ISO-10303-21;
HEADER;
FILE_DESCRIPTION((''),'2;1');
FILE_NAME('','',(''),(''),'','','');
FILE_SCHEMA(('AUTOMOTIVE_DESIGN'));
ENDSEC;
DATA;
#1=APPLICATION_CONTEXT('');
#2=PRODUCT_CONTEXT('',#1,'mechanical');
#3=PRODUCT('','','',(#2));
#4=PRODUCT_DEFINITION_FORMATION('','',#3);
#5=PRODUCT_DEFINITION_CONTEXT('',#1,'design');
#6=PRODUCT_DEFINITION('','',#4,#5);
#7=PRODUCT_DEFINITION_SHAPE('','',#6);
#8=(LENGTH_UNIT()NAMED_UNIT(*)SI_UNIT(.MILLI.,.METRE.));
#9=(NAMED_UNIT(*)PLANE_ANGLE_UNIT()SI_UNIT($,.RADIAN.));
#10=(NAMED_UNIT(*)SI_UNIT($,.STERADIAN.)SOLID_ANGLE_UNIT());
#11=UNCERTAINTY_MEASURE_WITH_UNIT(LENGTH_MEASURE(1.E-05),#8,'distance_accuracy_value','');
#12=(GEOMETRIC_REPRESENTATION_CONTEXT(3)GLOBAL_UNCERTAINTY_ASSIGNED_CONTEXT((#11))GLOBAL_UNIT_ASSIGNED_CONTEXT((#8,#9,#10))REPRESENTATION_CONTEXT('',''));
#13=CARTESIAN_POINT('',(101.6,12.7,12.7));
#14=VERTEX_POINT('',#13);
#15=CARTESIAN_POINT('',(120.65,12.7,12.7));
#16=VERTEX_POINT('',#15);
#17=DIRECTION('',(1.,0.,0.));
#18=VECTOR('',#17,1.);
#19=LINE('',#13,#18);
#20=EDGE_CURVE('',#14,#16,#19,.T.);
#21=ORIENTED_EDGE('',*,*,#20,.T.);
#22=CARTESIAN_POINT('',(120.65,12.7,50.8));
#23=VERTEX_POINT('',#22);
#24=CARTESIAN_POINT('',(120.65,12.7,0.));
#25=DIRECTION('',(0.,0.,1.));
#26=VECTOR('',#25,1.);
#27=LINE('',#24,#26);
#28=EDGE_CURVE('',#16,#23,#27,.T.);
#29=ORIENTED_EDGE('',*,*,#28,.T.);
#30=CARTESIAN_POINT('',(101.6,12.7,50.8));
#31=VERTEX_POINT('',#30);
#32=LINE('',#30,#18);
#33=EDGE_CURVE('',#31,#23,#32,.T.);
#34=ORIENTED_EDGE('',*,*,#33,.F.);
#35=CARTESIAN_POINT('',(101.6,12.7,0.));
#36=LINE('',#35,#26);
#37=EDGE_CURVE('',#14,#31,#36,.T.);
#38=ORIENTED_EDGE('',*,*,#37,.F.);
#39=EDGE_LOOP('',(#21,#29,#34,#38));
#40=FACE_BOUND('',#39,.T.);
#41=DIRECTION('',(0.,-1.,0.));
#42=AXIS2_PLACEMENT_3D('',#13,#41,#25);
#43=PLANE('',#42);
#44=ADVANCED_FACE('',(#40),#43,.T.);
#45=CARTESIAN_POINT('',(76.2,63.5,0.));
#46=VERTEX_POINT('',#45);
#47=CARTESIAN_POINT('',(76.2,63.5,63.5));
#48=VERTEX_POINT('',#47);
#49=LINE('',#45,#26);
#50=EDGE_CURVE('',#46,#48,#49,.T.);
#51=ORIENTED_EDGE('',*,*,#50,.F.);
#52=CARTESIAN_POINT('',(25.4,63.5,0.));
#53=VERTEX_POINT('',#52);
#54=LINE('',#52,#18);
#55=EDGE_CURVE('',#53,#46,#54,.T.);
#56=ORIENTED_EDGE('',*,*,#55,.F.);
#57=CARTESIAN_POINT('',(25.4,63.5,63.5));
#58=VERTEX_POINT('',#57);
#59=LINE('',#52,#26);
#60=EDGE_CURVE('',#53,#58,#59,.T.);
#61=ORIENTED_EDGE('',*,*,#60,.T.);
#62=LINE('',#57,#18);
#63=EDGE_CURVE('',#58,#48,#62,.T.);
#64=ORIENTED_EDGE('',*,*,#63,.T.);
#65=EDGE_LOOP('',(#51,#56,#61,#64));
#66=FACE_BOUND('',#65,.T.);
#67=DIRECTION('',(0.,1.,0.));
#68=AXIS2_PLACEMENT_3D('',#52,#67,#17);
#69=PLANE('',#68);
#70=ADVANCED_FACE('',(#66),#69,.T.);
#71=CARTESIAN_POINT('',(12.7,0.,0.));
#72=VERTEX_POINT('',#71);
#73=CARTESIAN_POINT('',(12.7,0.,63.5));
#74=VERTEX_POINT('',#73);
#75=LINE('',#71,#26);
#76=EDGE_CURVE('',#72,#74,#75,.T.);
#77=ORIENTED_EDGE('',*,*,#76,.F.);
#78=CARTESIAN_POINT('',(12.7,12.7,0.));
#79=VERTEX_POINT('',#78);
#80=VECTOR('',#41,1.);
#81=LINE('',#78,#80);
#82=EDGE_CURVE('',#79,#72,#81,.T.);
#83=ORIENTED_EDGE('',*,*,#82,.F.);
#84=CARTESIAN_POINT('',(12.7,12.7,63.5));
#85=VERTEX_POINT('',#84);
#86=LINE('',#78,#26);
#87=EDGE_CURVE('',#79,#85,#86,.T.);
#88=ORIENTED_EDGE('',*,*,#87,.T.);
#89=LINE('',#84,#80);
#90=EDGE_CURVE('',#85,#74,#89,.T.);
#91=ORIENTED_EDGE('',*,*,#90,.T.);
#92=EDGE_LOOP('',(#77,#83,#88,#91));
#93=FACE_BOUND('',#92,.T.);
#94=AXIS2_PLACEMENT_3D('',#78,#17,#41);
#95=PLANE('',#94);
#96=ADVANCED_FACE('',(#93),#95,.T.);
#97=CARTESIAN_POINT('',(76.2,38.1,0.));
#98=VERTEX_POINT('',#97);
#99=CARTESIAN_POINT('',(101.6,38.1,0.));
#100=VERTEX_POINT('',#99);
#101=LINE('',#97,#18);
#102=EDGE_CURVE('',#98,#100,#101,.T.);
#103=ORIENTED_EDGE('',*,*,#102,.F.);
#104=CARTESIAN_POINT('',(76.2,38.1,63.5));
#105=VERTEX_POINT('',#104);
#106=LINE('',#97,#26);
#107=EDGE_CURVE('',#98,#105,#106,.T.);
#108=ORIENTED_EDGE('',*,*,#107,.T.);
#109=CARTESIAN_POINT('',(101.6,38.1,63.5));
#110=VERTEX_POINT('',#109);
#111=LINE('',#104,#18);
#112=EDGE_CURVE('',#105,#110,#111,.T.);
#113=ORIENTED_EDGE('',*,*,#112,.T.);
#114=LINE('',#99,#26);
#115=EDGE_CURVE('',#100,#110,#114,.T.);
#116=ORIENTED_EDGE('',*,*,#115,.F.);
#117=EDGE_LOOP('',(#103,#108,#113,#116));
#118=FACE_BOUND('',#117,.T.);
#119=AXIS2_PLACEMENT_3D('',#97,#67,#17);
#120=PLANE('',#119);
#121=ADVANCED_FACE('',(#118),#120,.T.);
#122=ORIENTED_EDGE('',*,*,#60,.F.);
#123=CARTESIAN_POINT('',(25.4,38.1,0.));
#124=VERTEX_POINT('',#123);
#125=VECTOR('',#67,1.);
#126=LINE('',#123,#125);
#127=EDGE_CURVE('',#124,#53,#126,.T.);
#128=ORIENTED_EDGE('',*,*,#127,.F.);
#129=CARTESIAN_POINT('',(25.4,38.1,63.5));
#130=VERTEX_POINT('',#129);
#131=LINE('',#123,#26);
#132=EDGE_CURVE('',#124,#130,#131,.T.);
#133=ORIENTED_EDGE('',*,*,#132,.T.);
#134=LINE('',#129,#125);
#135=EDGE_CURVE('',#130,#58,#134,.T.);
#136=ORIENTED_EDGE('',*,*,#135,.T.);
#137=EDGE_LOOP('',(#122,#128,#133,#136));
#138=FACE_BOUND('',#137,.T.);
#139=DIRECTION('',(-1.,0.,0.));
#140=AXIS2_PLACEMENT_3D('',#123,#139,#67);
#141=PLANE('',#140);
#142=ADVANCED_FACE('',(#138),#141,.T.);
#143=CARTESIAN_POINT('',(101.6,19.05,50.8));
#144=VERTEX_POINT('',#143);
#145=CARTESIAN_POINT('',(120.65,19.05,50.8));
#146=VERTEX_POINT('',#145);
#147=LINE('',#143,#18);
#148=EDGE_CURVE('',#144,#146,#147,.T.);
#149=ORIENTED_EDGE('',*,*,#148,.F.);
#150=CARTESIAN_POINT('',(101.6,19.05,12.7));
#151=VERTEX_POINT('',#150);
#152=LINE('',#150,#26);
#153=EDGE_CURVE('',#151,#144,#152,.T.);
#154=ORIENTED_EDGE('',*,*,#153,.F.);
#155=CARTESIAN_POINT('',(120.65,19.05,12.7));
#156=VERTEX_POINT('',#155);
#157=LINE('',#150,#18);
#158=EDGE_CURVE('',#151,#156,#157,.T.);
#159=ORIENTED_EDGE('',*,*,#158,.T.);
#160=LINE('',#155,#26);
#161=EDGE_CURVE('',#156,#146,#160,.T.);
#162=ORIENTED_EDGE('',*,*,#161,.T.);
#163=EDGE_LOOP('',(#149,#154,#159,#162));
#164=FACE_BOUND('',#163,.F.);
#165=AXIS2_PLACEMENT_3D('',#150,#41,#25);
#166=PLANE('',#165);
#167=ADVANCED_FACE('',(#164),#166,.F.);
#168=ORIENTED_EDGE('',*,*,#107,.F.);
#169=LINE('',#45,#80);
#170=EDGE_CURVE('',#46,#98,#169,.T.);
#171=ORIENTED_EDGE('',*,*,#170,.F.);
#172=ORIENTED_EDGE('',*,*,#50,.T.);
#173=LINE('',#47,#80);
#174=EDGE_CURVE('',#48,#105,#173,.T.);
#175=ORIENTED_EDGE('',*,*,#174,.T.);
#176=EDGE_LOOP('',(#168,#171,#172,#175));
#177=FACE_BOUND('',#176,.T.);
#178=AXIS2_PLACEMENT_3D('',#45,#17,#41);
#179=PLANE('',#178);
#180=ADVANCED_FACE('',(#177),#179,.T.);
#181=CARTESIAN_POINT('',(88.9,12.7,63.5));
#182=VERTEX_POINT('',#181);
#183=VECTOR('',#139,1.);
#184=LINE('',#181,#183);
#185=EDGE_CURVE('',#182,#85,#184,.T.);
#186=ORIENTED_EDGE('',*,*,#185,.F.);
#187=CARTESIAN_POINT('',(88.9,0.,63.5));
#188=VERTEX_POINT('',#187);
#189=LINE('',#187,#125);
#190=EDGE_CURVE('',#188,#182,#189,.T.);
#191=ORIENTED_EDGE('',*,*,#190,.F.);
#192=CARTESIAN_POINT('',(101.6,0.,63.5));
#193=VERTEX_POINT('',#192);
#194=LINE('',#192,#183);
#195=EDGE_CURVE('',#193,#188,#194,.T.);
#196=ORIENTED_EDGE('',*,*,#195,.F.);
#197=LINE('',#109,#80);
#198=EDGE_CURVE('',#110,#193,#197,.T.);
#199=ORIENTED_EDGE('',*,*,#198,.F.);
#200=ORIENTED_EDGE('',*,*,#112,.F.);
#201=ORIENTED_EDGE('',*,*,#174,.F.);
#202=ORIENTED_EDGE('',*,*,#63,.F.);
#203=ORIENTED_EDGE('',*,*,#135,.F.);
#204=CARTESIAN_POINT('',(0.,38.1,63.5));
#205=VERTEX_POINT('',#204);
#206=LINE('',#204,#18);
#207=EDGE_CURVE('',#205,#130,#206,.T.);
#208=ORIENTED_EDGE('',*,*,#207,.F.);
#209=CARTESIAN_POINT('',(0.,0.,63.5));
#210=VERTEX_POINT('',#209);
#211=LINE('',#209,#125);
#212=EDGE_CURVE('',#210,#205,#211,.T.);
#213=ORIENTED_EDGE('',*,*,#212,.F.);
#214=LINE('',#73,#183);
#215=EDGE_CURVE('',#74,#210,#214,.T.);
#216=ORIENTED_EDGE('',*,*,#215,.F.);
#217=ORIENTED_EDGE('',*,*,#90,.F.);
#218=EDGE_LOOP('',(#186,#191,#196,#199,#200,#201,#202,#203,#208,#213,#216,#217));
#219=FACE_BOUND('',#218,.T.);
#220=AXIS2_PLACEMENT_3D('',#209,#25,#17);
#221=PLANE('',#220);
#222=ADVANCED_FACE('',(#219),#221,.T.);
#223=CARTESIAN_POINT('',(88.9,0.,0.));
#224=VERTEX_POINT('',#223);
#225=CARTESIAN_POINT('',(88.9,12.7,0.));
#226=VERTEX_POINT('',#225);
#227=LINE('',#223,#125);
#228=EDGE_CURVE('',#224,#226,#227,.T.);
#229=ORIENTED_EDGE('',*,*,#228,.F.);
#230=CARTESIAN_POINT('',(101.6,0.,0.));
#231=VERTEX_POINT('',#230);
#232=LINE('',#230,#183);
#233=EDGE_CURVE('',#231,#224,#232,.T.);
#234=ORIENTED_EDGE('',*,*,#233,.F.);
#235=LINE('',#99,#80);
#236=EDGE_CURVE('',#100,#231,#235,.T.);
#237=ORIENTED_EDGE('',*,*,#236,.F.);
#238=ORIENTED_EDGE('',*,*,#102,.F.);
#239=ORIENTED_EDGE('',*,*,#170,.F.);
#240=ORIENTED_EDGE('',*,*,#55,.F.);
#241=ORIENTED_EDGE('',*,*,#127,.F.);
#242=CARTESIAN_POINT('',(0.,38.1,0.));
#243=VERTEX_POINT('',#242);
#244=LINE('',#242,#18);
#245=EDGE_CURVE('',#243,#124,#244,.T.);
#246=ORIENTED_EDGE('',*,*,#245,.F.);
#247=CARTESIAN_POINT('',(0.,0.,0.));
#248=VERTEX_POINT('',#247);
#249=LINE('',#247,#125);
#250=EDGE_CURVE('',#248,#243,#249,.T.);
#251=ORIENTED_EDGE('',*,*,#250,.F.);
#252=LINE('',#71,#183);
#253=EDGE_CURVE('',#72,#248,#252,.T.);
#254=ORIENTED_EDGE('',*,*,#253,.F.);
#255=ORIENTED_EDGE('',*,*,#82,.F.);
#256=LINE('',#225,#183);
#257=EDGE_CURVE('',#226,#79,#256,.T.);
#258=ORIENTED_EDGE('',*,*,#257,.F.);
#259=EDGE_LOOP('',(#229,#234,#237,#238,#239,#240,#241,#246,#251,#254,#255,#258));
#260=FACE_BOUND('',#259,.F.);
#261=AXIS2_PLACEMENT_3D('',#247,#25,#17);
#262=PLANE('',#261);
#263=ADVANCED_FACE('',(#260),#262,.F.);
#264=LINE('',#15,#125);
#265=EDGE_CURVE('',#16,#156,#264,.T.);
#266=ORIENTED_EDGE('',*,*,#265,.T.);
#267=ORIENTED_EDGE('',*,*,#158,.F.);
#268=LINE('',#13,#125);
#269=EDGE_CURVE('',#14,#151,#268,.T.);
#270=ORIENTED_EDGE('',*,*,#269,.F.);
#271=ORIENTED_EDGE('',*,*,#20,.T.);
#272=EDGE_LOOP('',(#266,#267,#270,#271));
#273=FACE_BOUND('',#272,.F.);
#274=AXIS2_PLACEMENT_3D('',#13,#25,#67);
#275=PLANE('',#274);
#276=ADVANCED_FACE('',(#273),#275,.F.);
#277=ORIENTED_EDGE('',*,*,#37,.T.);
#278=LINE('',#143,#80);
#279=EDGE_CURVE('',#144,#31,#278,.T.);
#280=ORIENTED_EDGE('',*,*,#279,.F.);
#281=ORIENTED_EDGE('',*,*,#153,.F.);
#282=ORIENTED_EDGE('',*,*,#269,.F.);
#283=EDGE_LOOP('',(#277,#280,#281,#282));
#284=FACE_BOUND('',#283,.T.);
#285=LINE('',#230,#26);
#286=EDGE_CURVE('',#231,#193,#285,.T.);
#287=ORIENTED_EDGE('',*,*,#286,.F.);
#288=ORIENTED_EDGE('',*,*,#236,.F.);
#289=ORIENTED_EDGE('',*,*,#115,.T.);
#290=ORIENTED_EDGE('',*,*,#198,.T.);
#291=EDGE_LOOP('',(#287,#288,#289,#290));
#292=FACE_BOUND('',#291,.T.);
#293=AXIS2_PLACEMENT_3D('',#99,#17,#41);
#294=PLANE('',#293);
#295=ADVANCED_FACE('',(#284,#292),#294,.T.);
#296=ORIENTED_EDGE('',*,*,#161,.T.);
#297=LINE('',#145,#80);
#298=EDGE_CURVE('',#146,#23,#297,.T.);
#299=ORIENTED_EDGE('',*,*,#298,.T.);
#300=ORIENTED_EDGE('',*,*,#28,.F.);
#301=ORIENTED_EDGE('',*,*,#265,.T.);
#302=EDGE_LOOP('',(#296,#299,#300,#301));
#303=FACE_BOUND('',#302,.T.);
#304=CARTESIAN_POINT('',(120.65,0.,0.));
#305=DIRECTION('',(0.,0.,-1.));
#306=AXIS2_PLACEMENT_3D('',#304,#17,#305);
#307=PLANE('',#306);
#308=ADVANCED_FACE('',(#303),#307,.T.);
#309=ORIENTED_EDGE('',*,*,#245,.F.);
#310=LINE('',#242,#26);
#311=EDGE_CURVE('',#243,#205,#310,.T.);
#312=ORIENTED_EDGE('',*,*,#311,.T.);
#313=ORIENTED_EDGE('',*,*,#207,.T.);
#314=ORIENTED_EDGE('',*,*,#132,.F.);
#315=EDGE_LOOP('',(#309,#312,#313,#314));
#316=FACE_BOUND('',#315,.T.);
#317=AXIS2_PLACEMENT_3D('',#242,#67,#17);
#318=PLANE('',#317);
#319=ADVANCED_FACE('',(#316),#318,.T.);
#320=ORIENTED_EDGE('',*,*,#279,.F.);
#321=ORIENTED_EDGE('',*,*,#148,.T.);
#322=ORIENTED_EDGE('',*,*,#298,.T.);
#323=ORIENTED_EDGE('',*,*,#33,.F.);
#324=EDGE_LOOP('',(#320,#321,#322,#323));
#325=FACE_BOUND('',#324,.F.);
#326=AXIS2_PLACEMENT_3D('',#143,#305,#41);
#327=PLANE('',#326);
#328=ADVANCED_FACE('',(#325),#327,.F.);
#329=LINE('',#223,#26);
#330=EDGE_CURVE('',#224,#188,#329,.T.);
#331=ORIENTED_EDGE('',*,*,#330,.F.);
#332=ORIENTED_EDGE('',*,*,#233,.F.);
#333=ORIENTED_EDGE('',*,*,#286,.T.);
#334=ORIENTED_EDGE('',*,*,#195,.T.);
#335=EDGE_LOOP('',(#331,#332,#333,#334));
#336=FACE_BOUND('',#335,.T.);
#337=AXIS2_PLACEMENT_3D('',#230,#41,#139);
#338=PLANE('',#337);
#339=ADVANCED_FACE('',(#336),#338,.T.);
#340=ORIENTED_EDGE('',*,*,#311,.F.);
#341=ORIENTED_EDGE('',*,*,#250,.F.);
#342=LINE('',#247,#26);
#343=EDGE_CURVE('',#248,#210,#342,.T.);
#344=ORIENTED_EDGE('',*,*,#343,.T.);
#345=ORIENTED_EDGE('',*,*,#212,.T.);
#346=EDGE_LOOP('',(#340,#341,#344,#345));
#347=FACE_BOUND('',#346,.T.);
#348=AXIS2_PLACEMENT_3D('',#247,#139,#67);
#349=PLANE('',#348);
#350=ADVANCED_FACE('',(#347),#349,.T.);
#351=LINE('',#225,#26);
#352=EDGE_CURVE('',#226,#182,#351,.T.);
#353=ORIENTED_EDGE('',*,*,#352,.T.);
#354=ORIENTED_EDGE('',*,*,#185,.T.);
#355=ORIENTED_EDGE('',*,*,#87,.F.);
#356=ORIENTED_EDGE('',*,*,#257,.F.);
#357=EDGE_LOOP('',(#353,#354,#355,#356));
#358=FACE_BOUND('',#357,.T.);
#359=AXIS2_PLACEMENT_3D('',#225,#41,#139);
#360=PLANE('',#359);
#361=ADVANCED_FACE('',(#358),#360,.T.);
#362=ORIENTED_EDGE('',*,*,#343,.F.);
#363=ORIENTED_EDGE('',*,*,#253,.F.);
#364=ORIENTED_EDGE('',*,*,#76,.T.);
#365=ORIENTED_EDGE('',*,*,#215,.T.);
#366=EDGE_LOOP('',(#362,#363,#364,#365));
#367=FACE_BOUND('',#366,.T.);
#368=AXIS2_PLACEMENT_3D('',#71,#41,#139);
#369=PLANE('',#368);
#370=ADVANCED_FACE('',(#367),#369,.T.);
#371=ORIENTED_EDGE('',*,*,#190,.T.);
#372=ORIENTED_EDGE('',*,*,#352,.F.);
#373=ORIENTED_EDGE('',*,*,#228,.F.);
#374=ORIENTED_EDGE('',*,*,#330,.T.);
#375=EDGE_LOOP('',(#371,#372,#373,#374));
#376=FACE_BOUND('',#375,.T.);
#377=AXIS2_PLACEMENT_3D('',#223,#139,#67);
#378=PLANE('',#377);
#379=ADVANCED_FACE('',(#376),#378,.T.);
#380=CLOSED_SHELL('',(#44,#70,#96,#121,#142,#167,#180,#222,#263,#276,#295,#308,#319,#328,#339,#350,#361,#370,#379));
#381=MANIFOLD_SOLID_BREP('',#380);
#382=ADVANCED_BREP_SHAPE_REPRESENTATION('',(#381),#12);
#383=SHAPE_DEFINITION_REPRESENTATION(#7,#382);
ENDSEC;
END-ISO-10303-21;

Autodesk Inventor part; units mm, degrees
ref_plane "YZ Plane" through (0, 0, 0) normal (1, 0, 0) x (0, 1, 0)
ref_plane "XZ Plane" through (0, 0, 0) normal (0, 1, 0) x (-1, 0, 0)
ref_plane "XY Plane" through (0, 0, 0) normal (0, 0, 1) x (1, 0, 0)
sketch "Sketch1" plane through (0, 0, 0) normal (0, 0, 1) x (1, 0, 0)
  line L0 (0, 0) -> (0, 38.1)
  line L1 (0, 38.1) -> (25.4, 38.1)
  line L2 (25.4, 38.1) -> (25.4, 63.5)
  line L3 (25.4, 63.5) -> (76.2, 63.5)
  line L4 (76.2, 63.5) -> (76.2, 38.1)
  line L5 (76.2, 38.1) -> (101.6, 38.1)
  line L6 (101.6, 38.1) -> (101.6, 0)
  line L7 (101.6, 0) -> (88.9, 0)
  line L8 (88.9, 0) -> (88.9, 12.7)
  line L9 (88.9, 12.7) -> (12.7, 12.7)
  line L10 (12.7, 12.7) -> (12.7, 0)
  line L11 (12.7, 0) -> (0, 0)
  dimension "d0" = 38.1
  dimension "d1" = 25.4
  dimension "d2" = 25.4
  dimension "d3" = 50.8
  dimension "d4" = 25.4
  dimension "d5" = 38.1
  dimension "d6" = 12.7
  dimension "d7" = 12.7
  dimension "d8" = 76.2
extrude "Extrusion1" add sketch "Sketch1" along normal blind 63.5
sketch "Sketch2" plane through (101.6, 0, 0) normal (1, 0, 0) x (0, 0, -1)
  point P0 (0, 0)
sketch "Sketch3" plane through (101.6, 0, 0) normal (1, 0, 0) x (0, 0, -1)
  point P0 (0, 0)
sketch "Sketch4" plane through (101.6, 0, 0) normal (1, 0, 0) x (0, 0, -1)
  line L0 (0, 12.7) -> (-63.5, 12.7) projected
  line L1 (-50.8, 12.7) -> (-12.7, 12.7)
  line L2 (-12.7, 12.7) -> (-12.7, 19.05)
  line L3 (-12.7, 19.05) -> (-50.8, 19.05)
  line L4 (-50.8, 19.05) -> (-50.8, 12.7)
  line L5 (-63.5, 0) -> (-63.5, 38.1) projected
  point P0 (0, 0)
  dimension "d11" = 38.1
  dimension "d12" = 6.35
  dimension "d13" = 12.7
extrude "Extrusion2" add sketch "Sketch4" along normal blind 19.05
